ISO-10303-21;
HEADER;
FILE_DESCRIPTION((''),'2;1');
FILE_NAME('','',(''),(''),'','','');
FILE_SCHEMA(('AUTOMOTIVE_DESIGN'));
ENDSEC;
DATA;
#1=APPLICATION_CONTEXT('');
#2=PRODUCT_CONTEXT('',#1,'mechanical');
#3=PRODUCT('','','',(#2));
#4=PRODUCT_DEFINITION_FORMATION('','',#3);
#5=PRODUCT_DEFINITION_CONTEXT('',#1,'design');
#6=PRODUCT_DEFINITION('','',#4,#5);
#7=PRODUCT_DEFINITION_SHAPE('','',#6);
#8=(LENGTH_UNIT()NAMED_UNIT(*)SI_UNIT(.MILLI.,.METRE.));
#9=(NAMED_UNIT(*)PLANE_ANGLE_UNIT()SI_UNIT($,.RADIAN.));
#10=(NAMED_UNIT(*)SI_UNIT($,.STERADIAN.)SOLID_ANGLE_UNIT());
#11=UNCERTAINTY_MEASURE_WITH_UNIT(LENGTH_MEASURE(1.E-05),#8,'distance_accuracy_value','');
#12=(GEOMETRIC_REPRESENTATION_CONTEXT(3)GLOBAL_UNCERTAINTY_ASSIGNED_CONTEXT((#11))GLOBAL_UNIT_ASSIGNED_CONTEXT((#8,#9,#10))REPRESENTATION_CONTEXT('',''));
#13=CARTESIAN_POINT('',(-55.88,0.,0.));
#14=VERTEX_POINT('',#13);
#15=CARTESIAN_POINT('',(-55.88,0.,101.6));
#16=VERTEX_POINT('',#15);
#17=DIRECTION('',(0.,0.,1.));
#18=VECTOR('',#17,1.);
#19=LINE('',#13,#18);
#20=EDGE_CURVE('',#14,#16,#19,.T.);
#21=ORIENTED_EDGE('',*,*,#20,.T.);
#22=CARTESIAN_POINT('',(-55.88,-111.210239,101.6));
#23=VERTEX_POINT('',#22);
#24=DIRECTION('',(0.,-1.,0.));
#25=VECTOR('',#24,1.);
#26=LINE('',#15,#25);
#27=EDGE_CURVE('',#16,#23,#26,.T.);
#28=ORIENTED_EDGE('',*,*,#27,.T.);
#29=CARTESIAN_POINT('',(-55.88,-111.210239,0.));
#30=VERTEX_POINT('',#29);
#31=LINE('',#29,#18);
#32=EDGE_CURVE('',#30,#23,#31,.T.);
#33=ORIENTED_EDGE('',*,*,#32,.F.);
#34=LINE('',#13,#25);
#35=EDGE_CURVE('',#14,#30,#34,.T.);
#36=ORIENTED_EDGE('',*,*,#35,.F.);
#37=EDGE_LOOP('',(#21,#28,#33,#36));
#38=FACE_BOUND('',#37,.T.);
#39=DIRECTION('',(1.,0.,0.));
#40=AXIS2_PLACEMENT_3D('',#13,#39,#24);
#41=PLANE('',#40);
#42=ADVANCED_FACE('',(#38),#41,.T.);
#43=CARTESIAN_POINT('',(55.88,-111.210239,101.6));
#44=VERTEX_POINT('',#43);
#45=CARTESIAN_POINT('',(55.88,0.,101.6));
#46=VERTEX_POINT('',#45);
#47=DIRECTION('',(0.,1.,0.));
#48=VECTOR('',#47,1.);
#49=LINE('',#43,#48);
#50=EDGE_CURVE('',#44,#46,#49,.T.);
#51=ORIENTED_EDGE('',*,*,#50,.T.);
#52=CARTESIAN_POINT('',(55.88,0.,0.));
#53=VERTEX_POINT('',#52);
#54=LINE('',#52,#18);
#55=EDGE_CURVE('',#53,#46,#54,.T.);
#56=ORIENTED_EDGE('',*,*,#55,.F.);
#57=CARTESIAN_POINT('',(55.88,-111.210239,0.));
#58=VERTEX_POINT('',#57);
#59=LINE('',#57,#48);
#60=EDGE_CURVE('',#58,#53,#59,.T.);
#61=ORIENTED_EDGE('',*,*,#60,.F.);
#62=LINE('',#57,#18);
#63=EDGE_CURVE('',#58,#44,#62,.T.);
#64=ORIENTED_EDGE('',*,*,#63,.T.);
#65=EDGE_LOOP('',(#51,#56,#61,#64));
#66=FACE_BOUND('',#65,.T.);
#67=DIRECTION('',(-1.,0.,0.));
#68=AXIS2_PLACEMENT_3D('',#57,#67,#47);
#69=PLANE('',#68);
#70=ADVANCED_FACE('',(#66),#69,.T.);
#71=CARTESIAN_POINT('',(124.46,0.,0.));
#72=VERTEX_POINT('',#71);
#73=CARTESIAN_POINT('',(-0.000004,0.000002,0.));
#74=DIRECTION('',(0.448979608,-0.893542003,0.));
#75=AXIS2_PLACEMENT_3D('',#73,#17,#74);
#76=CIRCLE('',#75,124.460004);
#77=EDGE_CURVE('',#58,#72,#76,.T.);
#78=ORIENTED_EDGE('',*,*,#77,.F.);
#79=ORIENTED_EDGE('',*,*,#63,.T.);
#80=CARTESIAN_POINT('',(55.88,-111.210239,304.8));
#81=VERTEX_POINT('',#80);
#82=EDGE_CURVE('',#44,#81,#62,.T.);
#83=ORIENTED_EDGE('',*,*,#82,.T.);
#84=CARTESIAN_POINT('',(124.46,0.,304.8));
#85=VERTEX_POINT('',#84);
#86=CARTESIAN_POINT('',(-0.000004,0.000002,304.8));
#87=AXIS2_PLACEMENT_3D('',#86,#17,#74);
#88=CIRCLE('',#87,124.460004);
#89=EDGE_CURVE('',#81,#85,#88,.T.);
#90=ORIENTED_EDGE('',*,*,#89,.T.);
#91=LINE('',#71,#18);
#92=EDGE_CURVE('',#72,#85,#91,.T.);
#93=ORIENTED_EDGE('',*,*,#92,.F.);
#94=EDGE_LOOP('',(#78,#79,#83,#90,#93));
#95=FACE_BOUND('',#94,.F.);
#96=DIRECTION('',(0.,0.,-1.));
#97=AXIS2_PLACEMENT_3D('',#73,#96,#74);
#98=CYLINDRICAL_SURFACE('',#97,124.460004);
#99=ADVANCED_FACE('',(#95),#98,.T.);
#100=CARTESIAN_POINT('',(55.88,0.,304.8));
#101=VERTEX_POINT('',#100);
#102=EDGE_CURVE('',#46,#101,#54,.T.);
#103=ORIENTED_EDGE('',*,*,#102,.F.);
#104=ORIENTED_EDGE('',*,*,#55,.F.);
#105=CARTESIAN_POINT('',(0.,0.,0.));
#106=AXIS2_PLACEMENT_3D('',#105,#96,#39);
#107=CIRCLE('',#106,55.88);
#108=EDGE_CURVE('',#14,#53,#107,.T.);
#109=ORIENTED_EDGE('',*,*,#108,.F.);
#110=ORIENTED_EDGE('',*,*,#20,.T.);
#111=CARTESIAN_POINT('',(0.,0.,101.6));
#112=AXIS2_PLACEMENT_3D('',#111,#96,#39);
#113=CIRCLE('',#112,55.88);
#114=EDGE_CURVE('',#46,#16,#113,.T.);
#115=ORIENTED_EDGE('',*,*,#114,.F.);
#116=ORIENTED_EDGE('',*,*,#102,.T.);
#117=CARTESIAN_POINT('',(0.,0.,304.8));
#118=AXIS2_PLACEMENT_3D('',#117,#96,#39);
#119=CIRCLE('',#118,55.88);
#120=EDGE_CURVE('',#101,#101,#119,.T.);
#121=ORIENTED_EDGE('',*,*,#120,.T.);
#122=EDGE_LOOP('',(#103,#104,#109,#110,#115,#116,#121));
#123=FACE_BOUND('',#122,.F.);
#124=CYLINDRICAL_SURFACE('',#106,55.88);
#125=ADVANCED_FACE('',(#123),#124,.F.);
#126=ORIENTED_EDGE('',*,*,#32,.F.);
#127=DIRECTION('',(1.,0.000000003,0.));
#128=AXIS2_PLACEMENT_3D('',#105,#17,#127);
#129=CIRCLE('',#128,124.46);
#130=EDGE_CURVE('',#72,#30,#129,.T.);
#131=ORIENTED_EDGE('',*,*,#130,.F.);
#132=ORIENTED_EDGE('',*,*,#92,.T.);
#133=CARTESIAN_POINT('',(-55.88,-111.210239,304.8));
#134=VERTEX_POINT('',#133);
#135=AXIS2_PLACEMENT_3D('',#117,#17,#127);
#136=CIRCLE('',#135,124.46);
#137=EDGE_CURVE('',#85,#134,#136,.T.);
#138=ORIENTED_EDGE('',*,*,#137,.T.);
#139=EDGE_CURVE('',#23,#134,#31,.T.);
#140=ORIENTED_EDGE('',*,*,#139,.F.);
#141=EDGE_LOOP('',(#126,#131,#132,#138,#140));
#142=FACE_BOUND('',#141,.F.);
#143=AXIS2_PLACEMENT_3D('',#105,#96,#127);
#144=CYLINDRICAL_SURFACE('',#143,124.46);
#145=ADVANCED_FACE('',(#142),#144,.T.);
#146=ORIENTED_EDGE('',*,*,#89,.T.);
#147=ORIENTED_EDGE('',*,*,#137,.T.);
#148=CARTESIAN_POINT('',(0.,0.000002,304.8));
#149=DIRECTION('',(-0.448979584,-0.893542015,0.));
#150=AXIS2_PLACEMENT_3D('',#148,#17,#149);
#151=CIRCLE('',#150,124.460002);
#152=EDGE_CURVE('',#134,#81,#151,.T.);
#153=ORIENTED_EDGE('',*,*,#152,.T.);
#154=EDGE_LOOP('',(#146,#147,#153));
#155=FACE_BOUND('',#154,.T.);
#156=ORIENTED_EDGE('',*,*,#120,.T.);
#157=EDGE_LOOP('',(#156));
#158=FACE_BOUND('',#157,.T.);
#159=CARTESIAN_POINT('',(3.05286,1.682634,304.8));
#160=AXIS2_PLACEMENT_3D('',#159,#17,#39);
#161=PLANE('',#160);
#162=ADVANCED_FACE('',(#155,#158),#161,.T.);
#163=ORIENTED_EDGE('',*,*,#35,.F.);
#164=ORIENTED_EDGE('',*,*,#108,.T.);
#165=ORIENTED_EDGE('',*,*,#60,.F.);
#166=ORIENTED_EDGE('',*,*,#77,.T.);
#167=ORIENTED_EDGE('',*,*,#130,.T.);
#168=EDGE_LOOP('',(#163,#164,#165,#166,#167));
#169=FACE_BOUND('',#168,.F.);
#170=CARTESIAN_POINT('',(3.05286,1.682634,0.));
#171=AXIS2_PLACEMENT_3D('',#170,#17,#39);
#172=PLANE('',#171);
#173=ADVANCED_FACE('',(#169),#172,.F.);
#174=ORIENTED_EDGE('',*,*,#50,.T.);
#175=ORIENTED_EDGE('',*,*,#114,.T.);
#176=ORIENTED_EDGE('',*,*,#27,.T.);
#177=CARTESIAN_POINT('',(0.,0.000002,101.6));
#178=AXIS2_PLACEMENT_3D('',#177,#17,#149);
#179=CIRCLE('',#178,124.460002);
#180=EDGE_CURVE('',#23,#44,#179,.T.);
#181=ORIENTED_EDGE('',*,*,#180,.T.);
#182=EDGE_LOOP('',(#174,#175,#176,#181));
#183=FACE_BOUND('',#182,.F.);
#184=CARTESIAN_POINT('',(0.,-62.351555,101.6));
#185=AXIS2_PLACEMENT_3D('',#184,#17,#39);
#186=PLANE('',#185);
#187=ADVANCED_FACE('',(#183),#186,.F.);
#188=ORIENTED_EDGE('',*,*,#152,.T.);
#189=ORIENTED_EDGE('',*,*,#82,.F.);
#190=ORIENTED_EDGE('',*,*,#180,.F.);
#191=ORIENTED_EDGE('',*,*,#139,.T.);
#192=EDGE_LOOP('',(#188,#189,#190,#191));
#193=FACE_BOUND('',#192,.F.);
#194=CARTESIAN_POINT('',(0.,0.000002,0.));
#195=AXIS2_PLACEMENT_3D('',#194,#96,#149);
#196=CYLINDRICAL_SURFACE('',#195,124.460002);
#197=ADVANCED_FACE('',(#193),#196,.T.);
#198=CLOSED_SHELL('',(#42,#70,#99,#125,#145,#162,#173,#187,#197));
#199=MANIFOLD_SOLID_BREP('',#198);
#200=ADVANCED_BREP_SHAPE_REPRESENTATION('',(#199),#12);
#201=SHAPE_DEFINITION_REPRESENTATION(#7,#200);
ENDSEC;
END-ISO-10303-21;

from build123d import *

# Parameters (mm, degrees)
F1_DEPTH = 304.8
F2_DEPTH = 101.6


with BuildPart() as f1:
    # F0 (on Top) → F1 (new body)
    with BuildSketch(Plane.XY):
        with BuildLine():
            ThreePointArc((55.88, -111.210239), (105.936576, -65.327891), (124.46, 0))
            ThreePointArc((124.46, 0), (-65.327891, 105.936576), (-55.88, -111.210239))
            Line((-55.88, -111.210239), (-55.88, 0))
            ThreePointArc((-55.88, 0), (0, 55.88), (55.88, 0))
            Line((55.88, 0), (55.88, -111.210239))
        make_face()
        with BuildLine():
            Line((-55.88, 0), (-55.88, -111.210239))
            ThreePointArc((-55.88, -111.210239), (0, -124.46), (55.88, -111.210239))
            Line((55.88, -111.210239), (55.88, 0))
            ThreePointArc((55.88, 0), (0, -55.88), (-55.88, 0))
        make_face()
    extrude(amount=F1_DEPTH)

    # F0 (on Top) → F2 (cut)
    with BuildSketch(Plane.XY):
        with BuildLine():
            Line((-55.88, 0), (-55.88, -111.210239))
            ThreePointArc((-55.88, -111.210239), (0, -124.46), (55.88, -111.210239))
            Line((55.88, -111.210239), (55.88, 0))
            ThreePointArc((55.88, 0), (0, -55.88), (-55.88, 0))
        make_face()
    extrude(amount=F2_DEPTH, mode=Mode.SUBTRACT)


solid = f1.part
